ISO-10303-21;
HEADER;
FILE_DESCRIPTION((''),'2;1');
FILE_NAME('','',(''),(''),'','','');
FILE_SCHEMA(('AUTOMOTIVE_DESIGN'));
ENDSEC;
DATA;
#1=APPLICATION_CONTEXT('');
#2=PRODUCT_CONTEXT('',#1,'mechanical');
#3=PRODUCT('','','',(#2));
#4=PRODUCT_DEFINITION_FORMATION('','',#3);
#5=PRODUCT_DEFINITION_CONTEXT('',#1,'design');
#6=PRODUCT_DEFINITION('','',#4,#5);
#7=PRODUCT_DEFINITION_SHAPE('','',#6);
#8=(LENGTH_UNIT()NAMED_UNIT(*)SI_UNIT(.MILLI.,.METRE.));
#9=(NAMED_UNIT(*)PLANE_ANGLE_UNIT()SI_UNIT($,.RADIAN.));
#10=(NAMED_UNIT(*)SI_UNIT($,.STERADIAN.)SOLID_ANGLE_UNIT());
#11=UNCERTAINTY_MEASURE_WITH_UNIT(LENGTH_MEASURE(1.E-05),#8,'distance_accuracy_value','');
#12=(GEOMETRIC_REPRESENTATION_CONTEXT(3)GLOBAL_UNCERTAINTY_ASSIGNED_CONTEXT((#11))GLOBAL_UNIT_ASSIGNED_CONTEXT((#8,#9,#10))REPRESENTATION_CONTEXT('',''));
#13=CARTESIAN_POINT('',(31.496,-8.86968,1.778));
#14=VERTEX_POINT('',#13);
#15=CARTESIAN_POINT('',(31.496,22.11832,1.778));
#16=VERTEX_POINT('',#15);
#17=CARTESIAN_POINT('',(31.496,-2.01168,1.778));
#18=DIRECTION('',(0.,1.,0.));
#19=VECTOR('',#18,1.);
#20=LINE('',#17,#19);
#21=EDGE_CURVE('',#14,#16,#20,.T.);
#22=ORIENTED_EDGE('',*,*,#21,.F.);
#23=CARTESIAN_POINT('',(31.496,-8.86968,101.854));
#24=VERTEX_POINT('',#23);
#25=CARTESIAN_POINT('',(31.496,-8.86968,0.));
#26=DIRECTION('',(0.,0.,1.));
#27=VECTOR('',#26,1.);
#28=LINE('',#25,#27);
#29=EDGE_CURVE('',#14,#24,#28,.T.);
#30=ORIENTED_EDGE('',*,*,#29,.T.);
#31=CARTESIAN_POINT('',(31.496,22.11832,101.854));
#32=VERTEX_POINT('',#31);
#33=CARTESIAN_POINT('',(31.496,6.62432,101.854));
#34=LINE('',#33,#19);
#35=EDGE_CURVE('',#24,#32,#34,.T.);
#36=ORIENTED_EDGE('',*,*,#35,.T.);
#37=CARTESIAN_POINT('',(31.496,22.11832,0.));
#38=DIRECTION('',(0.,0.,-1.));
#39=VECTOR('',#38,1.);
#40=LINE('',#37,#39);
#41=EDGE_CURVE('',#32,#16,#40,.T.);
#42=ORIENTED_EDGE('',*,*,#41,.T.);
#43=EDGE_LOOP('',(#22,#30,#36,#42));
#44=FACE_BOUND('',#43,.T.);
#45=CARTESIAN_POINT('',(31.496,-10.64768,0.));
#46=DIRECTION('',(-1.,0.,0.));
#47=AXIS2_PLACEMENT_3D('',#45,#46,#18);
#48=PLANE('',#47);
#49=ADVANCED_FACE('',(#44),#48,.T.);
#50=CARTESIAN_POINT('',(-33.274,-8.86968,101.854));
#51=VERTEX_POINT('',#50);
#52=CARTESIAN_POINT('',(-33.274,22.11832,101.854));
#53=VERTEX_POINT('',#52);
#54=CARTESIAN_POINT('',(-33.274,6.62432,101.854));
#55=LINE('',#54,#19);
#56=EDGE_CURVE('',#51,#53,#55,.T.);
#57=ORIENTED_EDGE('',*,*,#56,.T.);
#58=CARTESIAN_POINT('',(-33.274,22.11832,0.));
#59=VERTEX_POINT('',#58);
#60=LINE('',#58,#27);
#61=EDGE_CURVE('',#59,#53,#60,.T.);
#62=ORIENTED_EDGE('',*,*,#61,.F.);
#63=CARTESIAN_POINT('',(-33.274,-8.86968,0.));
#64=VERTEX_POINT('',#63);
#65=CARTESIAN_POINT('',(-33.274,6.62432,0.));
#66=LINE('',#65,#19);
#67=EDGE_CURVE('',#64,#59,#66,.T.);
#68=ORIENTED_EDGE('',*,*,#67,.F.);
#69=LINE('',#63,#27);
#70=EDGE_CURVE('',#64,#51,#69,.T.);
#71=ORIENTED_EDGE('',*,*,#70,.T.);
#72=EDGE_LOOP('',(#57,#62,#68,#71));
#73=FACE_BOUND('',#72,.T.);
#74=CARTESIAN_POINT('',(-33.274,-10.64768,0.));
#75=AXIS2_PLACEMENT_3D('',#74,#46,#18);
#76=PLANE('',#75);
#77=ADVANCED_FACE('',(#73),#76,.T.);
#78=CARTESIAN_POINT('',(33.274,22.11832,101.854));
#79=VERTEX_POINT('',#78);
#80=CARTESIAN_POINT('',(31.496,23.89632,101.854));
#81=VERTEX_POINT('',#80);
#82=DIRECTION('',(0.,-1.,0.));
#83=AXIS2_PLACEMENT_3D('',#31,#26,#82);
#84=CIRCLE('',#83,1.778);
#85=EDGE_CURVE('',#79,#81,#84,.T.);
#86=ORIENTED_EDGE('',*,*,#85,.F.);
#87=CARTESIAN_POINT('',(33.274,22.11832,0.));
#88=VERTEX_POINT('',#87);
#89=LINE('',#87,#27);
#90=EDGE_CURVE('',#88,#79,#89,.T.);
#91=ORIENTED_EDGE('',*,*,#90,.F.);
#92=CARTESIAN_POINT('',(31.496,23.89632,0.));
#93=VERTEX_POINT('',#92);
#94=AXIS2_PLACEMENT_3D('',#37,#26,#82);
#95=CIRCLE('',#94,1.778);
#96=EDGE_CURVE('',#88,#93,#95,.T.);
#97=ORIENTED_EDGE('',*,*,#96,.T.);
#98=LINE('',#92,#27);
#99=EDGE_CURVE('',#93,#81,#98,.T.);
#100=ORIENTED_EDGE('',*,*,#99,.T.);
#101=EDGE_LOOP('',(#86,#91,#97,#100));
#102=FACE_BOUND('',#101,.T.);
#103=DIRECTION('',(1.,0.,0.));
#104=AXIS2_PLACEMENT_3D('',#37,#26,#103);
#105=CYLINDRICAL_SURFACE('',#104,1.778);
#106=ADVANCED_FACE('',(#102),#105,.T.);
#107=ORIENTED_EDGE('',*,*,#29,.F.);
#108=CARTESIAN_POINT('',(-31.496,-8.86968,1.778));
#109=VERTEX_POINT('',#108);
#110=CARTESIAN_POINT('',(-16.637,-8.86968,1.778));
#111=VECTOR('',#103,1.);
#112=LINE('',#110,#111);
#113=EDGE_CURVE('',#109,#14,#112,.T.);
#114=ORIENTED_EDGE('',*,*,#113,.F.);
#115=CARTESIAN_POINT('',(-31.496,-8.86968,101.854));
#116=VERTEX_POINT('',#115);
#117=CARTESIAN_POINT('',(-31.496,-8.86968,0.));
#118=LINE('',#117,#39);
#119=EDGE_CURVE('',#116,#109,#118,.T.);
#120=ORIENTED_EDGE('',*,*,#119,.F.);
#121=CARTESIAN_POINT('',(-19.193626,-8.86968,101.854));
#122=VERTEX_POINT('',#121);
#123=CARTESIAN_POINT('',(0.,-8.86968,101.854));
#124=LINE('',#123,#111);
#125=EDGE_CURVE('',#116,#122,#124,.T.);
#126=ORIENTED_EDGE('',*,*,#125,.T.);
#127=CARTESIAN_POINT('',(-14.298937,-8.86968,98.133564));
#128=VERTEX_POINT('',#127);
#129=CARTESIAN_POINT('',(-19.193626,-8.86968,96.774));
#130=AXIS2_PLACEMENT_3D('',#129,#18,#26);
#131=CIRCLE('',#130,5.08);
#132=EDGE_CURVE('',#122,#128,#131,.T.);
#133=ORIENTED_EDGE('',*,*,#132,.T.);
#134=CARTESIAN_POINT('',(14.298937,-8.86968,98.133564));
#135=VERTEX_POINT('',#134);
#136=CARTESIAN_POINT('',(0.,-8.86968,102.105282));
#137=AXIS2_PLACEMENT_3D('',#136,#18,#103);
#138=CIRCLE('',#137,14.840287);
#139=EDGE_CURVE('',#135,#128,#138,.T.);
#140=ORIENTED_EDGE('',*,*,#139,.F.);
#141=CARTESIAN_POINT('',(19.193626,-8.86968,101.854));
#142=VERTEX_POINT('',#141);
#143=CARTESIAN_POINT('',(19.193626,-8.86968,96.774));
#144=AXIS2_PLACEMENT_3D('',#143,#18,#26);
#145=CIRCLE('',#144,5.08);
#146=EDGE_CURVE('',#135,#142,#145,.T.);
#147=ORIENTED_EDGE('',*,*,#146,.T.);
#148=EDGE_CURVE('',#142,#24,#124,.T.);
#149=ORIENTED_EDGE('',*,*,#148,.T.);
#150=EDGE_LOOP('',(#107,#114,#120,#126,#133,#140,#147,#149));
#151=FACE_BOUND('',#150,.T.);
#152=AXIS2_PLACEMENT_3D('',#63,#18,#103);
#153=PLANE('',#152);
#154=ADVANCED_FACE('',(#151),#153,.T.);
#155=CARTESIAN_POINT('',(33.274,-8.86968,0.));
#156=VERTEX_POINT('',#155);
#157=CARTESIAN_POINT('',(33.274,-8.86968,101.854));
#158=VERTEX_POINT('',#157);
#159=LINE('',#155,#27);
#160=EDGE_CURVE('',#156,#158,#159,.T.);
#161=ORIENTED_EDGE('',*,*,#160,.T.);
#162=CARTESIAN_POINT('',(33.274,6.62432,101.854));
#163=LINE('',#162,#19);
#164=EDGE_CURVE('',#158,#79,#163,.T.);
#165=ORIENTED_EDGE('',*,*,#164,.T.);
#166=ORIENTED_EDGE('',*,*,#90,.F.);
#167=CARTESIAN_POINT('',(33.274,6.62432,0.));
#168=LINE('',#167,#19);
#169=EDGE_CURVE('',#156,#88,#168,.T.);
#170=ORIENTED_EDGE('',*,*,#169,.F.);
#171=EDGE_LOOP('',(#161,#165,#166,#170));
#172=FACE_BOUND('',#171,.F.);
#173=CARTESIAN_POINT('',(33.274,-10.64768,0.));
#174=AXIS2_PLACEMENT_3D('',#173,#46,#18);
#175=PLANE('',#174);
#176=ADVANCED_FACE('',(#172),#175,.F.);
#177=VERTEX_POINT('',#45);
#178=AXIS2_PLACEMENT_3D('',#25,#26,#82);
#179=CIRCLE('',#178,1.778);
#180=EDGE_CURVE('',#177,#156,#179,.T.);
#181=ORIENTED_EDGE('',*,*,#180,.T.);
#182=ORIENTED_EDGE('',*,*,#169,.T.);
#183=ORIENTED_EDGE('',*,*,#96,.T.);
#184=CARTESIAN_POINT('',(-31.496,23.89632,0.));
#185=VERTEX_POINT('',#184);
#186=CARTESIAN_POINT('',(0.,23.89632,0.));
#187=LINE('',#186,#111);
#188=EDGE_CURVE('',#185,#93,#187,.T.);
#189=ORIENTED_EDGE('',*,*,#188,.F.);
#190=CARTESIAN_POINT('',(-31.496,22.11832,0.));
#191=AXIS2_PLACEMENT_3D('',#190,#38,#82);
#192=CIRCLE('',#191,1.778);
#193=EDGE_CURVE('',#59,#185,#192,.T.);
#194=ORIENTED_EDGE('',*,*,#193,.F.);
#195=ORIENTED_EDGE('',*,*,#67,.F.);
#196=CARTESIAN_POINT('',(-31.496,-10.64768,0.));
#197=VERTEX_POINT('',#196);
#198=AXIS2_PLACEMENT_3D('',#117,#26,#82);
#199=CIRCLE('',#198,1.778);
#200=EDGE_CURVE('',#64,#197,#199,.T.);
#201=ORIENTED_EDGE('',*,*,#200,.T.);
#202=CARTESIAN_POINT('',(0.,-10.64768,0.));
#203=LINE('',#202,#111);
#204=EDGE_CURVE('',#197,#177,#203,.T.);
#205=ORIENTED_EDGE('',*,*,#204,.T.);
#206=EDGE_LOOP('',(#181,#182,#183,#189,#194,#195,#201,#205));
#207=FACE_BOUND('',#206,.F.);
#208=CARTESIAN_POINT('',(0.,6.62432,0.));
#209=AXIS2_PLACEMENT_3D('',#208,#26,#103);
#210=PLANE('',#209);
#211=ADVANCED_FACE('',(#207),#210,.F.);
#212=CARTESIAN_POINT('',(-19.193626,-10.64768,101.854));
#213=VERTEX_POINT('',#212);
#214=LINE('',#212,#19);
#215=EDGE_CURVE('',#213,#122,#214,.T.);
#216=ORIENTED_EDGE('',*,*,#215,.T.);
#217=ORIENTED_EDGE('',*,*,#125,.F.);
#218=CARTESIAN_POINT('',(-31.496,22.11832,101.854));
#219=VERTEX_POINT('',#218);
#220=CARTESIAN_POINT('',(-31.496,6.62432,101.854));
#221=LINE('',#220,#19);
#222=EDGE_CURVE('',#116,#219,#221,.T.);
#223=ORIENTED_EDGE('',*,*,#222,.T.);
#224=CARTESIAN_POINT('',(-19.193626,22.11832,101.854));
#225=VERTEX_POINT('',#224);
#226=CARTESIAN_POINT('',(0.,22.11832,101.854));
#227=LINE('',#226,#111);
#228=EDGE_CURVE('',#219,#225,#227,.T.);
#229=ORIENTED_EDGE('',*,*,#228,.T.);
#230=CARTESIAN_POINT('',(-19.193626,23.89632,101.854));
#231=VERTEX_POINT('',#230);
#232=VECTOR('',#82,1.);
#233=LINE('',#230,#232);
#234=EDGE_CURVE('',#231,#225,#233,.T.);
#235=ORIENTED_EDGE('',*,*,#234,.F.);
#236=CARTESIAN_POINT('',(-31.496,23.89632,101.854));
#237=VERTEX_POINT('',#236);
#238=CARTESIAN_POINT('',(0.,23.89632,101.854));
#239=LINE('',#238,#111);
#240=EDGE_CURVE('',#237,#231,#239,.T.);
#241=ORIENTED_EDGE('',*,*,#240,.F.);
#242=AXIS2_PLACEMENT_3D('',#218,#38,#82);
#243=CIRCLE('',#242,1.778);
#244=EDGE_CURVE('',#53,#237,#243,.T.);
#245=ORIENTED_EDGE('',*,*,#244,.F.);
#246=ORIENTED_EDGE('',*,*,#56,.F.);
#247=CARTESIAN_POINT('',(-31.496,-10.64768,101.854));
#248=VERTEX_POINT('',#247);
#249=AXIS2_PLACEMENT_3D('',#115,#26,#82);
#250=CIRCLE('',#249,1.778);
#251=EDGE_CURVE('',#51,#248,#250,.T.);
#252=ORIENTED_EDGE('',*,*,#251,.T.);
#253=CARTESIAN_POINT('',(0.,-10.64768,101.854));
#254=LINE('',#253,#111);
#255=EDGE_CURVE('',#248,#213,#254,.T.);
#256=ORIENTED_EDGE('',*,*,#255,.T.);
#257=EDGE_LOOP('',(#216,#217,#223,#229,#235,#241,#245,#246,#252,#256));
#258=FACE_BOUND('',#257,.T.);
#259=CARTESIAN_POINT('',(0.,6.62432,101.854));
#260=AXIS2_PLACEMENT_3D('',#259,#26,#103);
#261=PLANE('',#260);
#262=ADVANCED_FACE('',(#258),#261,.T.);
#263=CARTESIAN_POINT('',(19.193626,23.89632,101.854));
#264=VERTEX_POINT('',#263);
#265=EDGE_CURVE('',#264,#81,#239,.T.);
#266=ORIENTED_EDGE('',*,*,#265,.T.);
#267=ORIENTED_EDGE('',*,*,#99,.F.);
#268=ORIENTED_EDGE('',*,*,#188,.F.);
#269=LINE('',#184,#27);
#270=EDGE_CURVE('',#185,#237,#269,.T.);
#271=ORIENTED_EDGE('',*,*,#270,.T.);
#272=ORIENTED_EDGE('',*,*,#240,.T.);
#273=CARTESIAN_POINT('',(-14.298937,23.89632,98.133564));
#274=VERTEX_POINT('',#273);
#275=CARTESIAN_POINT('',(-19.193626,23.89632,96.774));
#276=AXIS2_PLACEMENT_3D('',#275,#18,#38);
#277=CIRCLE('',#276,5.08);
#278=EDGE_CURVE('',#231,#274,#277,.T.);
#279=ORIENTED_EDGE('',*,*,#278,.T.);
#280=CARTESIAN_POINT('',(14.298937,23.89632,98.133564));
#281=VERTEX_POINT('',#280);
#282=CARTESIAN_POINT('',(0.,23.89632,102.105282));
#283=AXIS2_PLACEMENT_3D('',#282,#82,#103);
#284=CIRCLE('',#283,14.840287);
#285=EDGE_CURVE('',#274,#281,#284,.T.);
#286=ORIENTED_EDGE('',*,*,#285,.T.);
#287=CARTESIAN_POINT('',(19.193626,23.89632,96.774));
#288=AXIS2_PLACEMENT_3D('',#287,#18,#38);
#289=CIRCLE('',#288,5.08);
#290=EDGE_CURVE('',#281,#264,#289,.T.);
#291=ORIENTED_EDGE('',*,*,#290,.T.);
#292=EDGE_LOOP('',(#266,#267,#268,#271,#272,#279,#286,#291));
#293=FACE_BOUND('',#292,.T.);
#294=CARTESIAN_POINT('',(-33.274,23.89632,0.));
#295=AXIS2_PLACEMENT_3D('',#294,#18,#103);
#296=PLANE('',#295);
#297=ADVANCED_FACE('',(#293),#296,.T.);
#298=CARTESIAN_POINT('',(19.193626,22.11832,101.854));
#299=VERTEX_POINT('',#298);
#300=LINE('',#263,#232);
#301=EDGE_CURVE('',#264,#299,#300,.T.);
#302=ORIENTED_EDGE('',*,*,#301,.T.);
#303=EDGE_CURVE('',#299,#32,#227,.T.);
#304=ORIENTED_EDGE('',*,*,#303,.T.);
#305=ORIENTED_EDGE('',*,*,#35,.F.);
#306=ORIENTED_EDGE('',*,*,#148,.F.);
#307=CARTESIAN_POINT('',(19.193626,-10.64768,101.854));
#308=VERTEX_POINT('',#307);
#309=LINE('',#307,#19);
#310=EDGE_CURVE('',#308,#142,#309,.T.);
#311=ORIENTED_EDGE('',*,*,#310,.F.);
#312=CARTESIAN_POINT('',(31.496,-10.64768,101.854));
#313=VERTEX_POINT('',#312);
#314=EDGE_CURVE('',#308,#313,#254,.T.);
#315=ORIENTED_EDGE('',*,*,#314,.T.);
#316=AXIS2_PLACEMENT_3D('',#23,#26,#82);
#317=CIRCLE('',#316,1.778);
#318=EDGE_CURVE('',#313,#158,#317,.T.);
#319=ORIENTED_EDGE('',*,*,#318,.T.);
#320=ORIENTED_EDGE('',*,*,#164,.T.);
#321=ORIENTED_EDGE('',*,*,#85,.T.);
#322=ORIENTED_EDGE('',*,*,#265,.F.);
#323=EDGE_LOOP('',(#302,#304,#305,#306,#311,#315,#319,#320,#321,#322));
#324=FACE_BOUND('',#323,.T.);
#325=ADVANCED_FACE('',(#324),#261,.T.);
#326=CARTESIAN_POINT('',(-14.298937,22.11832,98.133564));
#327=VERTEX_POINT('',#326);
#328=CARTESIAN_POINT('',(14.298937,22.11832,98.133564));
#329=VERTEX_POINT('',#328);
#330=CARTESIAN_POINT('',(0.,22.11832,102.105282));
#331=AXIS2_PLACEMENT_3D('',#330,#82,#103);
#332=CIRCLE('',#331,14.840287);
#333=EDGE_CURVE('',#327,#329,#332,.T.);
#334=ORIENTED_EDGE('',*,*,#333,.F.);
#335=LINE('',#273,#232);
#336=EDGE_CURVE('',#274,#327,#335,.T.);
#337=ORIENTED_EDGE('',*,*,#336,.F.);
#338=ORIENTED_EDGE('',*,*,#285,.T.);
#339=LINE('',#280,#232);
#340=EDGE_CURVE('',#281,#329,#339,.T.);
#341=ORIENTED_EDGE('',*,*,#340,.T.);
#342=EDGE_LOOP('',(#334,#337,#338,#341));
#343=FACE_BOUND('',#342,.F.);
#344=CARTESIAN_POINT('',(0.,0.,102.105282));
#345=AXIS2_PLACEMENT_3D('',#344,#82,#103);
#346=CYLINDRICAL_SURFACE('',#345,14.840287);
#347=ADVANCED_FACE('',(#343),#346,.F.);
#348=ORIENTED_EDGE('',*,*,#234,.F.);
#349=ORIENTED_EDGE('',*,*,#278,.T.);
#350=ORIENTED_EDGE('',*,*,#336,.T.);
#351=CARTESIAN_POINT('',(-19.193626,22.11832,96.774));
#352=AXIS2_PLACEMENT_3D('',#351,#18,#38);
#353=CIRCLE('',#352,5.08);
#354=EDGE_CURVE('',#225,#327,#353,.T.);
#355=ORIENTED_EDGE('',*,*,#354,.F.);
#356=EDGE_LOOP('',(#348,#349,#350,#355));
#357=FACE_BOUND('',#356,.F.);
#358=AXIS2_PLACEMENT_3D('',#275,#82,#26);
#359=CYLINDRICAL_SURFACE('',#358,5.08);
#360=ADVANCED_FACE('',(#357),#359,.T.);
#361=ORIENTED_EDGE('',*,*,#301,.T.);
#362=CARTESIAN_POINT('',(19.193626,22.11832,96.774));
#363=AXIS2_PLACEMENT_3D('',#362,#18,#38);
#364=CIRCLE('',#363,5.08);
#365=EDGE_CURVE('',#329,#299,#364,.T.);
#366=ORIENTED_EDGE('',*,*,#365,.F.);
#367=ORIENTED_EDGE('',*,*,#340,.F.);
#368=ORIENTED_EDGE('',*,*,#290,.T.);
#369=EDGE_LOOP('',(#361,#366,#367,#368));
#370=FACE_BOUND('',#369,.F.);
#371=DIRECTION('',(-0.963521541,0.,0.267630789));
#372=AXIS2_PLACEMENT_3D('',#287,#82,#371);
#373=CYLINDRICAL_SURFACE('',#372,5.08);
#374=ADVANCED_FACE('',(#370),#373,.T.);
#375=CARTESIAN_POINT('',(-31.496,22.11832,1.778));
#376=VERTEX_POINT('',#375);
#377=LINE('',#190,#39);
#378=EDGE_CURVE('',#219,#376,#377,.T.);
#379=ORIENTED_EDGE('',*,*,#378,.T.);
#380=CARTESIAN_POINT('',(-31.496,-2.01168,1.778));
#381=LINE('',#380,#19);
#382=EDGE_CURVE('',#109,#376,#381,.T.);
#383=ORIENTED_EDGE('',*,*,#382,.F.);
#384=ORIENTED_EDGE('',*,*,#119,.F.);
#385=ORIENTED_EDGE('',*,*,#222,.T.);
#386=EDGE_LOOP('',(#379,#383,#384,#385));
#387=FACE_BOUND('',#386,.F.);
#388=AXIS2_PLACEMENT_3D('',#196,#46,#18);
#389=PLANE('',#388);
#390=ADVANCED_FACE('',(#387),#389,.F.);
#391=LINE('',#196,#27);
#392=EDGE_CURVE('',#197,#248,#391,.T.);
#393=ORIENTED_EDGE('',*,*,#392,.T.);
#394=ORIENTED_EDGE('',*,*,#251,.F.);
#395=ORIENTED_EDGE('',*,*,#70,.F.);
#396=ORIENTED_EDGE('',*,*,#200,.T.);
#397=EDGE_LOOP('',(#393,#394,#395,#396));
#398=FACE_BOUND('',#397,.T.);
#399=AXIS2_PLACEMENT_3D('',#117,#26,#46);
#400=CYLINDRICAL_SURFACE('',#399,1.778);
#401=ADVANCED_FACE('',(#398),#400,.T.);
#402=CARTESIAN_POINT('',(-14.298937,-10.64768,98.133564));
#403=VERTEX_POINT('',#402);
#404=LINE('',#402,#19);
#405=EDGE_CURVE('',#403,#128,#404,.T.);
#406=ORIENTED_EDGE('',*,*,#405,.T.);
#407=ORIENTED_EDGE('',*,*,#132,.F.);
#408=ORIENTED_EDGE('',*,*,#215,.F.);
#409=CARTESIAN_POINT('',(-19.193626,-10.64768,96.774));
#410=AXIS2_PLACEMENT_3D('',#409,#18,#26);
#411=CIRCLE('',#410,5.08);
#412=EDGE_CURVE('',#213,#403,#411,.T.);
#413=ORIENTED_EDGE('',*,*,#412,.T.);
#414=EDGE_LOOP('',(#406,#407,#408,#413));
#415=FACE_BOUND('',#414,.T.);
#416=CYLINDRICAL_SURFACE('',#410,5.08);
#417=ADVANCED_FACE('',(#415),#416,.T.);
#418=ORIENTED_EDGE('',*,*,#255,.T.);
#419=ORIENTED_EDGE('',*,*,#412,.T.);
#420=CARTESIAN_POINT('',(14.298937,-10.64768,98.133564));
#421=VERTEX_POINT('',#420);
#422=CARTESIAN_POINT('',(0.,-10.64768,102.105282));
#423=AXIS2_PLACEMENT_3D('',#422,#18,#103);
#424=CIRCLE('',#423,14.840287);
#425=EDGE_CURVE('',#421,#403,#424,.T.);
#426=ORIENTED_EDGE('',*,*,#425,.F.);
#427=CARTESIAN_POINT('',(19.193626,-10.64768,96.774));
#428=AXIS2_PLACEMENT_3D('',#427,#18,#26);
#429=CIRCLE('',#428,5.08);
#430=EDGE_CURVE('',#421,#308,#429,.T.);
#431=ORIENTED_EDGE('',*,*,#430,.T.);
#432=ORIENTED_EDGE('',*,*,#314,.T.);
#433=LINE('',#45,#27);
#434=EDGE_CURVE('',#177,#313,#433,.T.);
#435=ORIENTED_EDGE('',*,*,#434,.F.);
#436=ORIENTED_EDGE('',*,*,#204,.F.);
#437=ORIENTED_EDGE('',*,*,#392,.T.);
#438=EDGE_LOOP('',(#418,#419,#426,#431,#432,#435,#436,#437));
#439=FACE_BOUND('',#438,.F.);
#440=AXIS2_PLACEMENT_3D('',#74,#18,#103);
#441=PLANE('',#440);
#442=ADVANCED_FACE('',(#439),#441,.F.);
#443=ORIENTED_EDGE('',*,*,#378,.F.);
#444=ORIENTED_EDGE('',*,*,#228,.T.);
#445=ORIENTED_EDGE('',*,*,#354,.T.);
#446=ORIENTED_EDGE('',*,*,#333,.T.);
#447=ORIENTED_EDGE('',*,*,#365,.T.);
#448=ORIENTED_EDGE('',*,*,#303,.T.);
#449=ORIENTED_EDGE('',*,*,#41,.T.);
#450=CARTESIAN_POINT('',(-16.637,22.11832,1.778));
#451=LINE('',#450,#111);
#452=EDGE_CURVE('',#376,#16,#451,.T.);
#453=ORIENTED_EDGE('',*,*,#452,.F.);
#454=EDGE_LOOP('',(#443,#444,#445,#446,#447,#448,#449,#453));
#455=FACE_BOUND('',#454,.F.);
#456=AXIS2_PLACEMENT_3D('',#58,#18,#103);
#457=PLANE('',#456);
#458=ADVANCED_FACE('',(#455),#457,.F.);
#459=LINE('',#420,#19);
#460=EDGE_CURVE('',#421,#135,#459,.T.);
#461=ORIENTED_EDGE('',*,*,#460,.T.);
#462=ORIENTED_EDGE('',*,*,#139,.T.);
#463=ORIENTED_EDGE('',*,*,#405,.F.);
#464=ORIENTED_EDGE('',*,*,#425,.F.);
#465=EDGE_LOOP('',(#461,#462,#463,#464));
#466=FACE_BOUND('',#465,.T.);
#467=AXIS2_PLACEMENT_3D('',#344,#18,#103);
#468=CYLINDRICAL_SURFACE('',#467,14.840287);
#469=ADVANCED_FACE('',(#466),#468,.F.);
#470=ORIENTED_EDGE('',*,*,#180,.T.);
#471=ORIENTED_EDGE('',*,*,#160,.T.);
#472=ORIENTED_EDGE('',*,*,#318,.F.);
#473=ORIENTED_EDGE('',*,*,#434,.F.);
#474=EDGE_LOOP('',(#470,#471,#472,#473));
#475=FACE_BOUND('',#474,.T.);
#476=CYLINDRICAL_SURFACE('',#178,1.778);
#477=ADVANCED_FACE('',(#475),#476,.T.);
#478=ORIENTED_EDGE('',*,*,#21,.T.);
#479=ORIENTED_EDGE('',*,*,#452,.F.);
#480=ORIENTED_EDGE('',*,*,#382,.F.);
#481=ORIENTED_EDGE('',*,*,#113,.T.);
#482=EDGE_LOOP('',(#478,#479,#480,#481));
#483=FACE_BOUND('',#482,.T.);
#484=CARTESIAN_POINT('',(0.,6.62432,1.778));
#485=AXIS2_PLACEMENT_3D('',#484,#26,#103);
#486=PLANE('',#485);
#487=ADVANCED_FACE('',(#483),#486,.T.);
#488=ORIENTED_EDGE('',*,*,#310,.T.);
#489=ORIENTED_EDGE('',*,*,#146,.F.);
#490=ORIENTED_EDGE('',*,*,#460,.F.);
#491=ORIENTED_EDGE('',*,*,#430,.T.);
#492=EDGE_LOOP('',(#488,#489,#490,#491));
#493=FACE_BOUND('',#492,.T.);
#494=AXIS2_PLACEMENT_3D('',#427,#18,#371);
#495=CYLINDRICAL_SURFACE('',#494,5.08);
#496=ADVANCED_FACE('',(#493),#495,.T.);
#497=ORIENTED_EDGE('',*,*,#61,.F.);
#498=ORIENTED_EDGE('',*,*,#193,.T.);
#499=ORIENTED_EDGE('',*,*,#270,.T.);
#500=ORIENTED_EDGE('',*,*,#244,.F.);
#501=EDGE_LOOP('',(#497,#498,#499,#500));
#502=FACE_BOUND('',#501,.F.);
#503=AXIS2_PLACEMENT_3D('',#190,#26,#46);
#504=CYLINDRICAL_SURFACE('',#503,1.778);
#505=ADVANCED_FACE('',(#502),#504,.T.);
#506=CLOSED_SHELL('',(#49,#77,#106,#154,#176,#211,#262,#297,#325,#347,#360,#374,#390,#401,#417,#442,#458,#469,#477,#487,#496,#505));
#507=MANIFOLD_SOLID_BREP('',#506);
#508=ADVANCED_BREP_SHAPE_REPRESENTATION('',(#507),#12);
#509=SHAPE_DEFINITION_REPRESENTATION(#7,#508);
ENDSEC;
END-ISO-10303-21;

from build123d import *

# Parameters (mm, degrees)
F0_W     = 66.548
F0_H     = 34.544
F1_DEPTH = 101.854
F2_T     = -1.778
F3_R     = 1.778
F4_R     = 14.8402874642
F5_DEPTH = 23.89732
F6_DEPTH = 25.4
F7_R     = 5.08


with BuildPart() as f1:
    # F0 (on Top) → F1 (new body)
    with BuildSketch(Plane.XY):
        with Locations((0, 6.62432)):
            Rectangle(F0_W, F0_H)
    extrude(amount=F1_DEPTH)

    # F2
    f2_openings = [f1.faces().sort_by_distance(p)[0] for p in [
        (0, 6.62432, 101.854),
    ]]
    offset(amount=F2_T, openings=f2_openings)

    # F3
    f3_edges = [f1.edges().sort_by_distance(p)[0] for p in [
        (-33.274, 23.89632, 50.927),
        (-33.274, -10.64768, 50.927),
        (33.274, -10.64768, 50.927),
        (33.274, 23.89632, 50.927),
    ]]
    fillet(f3_edges, radius=F3_R)

    # F4 (on Front) → F5 (cut, through all)
    with BuildSketch(Plane.XZ):
        with Locations((0, 102.1052822471)):
            Circle(F4_R)
    extrude(amount=-F5_DEPTH, mode=Mode.SUBTRACT)

    # F4 (on Front) → F6 (cut)
    with BuildSketch(Plane.XZ):
        with Locations((0, 102.1052822471)):
            Circle(F4_R)
    extrude(amount=F6_DEPTH, mode=Mode.SUBTRACT)

    # F7
    f7_edges = [f1.edges().sort_by_distance(p)[0] for p in [
        (-14.83816, 23.00732, 101.854),
        (14.83816, 23.00732, 101.854),
        (14.83816, -9.75868, 101.854),
        (-14.83816, -9.75868, 101.854),
    ]]
    fillet(f7_edges, radius=F7_R)


solid = f1.part
